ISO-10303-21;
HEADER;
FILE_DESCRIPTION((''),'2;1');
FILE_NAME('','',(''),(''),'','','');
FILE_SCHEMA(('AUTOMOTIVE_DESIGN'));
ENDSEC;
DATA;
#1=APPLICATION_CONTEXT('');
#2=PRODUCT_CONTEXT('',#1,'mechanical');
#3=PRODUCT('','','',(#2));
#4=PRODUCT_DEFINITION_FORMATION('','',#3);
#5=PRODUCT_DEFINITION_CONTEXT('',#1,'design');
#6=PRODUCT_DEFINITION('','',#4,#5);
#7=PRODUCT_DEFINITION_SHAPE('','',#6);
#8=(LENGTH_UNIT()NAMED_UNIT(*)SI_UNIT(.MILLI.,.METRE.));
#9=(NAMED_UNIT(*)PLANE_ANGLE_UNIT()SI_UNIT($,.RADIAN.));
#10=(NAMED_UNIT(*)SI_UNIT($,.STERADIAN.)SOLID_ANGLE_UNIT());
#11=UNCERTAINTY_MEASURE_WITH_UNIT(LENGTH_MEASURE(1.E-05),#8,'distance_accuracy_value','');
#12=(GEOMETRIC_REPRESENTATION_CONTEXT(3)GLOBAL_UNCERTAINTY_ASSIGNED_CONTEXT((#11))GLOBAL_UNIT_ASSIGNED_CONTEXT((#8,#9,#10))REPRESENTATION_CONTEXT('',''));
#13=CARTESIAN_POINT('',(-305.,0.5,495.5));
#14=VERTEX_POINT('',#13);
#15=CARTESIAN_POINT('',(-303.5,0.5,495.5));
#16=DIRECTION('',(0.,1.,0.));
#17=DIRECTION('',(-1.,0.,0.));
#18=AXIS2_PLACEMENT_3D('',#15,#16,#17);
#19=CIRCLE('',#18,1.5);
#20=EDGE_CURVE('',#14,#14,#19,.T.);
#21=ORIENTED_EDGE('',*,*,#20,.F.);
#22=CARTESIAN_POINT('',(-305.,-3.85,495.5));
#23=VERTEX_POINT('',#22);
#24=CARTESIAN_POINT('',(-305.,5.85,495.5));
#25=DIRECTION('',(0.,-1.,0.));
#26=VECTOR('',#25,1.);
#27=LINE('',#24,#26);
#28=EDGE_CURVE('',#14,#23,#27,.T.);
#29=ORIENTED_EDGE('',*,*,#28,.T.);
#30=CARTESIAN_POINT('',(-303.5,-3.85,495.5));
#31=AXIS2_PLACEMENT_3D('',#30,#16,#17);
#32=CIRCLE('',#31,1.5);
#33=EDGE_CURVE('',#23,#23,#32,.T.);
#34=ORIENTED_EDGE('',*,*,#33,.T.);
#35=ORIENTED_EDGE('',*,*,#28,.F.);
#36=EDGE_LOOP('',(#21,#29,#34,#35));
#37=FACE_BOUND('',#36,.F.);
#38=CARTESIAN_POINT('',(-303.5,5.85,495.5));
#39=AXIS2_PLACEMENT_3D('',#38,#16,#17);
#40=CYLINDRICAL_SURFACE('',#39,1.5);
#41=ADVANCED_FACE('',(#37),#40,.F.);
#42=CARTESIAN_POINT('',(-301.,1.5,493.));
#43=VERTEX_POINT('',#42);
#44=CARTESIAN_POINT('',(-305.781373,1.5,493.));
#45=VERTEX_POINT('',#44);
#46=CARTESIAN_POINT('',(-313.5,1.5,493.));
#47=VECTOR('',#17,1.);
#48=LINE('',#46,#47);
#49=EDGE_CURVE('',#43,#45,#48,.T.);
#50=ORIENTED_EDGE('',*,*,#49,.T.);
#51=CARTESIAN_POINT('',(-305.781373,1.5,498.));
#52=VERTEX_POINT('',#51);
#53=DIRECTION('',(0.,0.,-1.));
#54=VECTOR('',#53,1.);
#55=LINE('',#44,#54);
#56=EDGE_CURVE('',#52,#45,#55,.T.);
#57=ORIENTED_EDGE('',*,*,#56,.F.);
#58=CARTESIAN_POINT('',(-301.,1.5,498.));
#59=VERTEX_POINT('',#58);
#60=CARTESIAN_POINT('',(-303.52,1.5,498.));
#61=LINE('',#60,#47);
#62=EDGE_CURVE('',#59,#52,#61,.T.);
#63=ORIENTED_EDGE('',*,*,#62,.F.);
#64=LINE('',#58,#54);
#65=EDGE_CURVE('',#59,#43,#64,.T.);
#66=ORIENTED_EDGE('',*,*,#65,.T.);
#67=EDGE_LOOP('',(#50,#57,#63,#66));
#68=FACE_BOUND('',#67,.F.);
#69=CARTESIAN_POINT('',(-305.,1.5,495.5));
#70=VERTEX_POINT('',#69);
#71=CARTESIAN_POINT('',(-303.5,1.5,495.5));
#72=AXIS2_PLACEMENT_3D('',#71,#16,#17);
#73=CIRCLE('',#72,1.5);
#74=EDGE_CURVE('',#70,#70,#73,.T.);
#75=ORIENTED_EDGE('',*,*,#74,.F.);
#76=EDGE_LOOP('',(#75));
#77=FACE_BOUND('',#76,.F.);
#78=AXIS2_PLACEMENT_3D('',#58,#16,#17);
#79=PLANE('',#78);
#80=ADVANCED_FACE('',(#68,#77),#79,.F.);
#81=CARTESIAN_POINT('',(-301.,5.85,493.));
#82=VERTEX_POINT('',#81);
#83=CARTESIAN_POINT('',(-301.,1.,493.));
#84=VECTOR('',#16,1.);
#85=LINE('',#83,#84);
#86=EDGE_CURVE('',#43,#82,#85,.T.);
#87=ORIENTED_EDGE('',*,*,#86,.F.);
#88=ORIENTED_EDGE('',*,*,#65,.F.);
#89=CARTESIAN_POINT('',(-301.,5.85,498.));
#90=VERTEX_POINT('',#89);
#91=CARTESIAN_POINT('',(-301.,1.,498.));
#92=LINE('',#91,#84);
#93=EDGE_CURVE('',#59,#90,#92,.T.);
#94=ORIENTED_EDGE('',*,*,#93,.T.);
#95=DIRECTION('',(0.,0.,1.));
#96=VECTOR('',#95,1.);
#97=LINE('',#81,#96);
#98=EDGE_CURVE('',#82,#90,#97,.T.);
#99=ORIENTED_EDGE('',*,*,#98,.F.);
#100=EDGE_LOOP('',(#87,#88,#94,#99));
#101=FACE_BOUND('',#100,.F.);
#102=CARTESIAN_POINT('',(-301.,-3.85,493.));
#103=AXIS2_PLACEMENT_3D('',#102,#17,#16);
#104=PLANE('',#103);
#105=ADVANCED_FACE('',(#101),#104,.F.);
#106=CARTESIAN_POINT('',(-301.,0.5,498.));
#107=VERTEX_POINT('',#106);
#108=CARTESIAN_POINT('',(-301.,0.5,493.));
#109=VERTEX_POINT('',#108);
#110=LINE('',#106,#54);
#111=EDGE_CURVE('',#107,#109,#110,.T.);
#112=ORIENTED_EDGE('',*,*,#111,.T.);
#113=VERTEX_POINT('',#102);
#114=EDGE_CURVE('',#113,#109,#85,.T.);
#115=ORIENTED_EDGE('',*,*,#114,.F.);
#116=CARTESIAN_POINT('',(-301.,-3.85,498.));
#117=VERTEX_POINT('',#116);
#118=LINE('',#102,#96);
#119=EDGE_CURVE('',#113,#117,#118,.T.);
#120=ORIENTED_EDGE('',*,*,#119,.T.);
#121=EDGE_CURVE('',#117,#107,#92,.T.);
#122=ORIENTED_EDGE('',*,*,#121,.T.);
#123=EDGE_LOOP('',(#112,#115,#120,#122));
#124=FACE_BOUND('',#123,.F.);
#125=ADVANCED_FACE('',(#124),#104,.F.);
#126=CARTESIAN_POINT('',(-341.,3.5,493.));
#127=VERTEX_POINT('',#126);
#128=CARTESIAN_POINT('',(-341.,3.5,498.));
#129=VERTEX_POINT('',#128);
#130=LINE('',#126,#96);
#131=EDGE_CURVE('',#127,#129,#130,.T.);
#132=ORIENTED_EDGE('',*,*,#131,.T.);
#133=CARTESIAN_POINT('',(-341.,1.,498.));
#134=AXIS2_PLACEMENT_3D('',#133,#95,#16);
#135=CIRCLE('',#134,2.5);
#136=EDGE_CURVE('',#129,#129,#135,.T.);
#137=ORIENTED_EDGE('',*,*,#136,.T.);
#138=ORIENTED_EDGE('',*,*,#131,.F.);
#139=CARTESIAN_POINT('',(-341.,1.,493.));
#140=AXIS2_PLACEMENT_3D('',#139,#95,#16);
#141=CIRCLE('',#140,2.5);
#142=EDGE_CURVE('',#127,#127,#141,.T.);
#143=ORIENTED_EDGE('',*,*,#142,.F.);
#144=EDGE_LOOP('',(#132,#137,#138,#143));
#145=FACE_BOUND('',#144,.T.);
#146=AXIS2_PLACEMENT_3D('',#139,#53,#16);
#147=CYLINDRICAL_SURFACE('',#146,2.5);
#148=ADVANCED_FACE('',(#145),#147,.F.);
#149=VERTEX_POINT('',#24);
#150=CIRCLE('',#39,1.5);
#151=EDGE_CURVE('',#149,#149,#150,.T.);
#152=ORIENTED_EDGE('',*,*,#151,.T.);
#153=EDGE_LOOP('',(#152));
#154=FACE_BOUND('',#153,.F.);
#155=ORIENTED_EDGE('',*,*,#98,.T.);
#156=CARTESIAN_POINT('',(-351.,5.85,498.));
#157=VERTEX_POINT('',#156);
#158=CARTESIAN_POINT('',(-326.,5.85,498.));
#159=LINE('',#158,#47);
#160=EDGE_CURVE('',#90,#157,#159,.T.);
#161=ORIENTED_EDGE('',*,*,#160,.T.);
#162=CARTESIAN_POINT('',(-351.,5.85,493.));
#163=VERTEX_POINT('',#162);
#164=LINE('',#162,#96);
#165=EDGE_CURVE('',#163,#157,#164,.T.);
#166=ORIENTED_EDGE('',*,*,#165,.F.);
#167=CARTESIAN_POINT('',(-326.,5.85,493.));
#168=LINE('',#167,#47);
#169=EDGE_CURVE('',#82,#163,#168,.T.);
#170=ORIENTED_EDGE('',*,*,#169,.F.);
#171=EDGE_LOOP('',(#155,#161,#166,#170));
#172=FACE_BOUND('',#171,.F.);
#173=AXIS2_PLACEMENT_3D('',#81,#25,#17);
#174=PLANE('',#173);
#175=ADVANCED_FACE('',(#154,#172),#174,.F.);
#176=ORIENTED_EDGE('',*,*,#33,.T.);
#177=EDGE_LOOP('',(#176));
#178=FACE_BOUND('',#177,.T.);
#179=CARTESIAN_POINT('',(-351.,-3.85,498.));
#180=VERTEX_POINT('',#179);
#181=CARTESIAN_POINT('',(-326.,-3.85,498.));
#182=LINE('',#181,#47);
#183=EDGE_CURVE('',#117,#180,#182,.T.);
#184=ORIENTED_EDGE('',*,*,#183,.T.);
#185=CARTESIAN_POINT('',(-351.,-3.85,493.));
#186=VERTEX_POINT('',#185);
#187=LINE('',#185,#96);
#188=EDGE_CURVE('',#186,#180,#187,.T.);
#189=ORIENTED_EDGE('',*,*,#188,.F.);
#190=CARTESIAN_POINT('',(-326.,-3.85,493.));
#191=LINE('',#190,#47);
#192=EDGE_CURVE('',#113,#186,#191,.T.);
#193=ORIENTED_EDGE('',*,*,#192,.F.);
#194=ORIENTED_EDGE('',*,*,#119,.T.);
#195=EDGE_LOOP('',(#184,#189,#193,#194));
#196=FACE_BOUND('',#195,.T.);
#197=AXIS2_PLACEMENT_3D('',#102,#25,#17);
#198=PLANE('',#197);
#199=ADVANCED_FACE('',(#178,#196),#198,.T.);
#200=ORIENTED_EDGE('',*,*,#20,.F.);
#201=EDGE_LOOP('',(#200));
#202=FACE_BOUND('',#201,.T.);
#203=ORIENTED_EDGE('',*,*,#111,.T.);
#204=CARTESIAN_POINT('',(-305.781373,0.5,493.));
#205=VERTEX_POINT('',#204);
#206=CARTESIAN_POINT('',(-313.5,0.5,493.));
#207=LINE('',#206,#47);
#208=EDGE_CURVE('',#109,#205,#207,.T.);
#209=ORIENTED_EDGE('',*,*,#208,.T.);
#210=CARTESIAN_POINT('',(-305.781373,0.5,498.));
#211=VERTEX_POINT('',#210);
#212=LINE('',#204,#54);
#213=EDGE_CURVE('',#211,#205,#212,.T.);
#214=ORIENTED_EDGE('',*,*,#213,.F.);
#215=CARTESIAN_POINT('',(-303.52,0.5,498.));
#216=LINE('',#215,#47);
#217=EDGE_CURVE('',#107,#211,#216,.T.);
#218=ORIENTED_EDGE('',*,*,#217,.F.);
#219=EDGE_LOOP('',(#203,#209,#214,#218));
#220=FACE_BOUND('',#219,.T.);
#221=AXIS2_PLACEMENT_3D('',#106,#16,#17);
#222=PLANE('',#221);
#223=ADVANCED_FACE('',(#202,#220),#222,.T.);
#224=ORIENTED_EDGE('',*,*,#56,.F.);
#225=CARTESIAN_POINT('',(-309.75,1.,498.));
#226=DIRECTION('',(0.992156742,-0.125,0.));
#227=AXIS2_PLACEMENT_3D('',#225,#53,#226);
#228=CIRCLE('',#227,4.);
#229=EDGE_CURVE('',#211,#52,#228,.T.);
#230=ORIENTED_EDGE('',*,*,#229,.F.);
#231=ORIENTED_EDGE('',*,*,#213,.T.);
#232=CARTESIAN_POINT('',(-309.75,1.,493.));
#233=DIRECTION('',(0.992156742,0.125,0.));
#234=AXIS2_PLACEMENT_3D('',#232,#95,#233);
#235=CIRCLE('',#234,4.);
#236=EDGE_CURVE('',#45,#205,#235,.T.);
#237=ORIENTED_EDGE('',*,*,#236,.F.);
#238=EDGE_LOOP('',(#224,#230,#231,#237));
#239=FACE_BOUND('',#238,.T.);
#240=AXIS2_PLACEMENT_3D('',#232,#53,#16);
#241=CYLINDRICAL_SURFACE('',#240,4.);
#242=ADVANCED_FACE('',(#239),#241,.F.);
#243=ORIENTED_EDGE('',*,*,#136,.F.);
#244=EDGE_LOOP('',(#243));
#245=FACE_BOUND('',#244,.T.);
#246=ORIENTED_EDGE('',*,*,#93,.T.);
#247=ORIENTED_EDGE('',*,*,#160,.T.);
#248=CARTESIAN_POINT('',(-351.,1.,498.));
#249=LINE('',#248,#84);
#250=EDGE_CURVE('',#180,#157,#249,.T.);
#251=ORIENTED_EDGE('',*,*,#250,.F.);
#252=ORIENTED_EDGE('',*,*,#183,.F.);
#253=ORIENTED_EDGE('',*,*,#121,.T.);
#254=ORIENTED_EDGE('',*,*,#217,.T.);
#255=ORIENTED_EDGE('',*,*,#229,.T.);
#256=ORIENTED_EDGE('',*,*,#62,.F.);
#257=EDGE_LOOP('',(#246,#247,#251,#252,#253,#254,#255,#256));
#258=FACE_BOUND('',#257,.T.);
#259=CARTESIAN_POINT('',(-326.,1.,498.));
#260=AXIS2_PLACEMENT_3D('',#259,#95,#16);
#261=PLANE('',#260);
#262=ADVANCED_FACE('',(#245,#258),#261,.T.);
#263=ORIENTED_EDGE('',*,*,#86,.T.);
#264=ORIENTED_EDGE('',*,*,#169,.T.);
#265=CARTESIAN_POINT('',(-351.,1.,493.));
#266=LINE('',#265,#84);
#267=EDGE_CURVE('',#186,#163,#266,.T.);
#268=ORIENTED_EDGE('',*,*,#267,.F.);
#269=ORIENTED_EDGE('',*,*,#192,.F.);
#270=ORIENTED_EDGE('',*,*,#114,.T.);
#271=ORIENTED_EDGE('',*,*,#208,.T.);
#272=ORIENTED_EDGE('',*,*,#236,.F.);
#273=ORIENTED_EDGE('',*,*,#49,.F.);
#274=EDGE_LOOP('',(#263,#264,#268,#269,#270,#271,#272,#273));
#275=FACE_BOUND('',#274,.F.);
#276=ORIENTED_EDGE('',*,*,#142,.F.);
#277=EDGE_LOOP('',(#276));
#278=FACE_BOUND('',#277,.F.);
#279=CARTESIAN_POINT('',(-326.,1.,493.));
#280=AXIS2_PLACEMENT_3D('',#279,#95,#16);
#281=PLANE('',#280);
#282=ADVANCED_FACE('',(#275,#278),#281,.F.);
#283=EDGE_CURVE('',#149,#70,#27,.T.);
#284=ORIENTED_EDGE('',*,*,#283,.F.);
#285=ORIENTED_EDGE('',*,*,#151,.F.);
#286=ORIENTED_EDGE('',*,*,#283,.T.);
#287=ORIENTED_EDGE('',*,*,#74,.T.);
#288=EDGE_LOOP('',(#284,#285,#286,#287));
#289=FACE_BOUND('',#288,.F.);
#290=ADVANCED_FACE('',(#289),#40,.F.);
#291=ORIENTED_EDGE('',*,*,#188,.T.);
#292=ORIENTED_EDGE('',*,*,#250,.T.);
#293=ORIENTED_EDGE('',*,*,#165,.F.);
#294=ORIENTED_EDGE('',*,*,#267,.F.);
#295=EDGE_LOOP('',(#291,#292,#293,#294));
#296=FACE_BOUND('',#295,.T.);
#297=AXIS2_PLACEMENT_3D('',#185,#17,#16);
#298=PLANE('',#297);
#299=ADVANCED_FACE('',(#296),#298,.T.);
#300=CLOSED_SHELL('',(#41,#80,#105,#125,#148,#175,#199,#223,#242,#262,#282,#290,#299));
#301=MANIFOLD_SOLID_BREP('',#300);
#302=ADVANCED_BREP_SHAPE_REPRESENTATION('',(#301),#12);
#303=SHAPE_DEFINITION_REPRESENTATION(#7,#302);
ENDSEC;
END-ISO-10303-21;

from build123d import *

# Parameters (mm, degrees)
SKETCH048_W           = 9.7
SKETCH048_H           = 50
SKETCH048_R           = 4
SKETCH048_R_2         = 2.5
PAD028_DEPTH          = 5
SKETCH049_W           = 1
SKETCH049_H           = 5.04
POCKET023_DEPTH       = 5.001
SKETCH050_R           = 1.5
POCKET024_DEPTH       = 9.701
CLONE_PLACEMENT_ANGLE = 90


with BuildPart() as part:
    # Sketch048 → Pad028 (new body)
    with BuildSketch(Plane.XY):
        Rectangle(SKETCH048_W, SKETCH048_H)
        with Locations((0, -16.25)):
            Circle(SKETCH048_R, mode=Mode.SUBTRACT)
        with Locations((0, 15)):
            Circle(SKETCH048_R_2, mode=Mode.SUBTRACT)
    extrude(amount=PAD028_DEPTH)

    # Sketch049 (on Face8 of Pad028) → Pocket023 (cut, through all)
    with BuildSketch(Plane.XY.offset(5)):
        with Locations((0, -22.48)):
            Rectangle(SKETCH049_W, SKETCH049_H)
    extrude(amount=-POCKET023_DEPTH, mode=Mode.SUBTRACT)

    # Sketch050 (on Face3 of Pocket023) → Pocket024 (cut, through all)
    with BuildSketch(Plane.YZ.offset(4.85)):
        with Locations((-22.5, 2.5)):
            Circle(SKETCH050_R)
    extrude(amount=-POCKET024_DEPTH, mode=Mode.SUBTRACT)


with BuildPart() as part_1:
    # Clone placement: moved
    add(part.part.moved(Location((-326, 1, 493))).rotate(Axis((-326, 1, 493), (0, 0, 1)), CLONE_PLACEMENT_ANGLE))


solid = part_1.part
